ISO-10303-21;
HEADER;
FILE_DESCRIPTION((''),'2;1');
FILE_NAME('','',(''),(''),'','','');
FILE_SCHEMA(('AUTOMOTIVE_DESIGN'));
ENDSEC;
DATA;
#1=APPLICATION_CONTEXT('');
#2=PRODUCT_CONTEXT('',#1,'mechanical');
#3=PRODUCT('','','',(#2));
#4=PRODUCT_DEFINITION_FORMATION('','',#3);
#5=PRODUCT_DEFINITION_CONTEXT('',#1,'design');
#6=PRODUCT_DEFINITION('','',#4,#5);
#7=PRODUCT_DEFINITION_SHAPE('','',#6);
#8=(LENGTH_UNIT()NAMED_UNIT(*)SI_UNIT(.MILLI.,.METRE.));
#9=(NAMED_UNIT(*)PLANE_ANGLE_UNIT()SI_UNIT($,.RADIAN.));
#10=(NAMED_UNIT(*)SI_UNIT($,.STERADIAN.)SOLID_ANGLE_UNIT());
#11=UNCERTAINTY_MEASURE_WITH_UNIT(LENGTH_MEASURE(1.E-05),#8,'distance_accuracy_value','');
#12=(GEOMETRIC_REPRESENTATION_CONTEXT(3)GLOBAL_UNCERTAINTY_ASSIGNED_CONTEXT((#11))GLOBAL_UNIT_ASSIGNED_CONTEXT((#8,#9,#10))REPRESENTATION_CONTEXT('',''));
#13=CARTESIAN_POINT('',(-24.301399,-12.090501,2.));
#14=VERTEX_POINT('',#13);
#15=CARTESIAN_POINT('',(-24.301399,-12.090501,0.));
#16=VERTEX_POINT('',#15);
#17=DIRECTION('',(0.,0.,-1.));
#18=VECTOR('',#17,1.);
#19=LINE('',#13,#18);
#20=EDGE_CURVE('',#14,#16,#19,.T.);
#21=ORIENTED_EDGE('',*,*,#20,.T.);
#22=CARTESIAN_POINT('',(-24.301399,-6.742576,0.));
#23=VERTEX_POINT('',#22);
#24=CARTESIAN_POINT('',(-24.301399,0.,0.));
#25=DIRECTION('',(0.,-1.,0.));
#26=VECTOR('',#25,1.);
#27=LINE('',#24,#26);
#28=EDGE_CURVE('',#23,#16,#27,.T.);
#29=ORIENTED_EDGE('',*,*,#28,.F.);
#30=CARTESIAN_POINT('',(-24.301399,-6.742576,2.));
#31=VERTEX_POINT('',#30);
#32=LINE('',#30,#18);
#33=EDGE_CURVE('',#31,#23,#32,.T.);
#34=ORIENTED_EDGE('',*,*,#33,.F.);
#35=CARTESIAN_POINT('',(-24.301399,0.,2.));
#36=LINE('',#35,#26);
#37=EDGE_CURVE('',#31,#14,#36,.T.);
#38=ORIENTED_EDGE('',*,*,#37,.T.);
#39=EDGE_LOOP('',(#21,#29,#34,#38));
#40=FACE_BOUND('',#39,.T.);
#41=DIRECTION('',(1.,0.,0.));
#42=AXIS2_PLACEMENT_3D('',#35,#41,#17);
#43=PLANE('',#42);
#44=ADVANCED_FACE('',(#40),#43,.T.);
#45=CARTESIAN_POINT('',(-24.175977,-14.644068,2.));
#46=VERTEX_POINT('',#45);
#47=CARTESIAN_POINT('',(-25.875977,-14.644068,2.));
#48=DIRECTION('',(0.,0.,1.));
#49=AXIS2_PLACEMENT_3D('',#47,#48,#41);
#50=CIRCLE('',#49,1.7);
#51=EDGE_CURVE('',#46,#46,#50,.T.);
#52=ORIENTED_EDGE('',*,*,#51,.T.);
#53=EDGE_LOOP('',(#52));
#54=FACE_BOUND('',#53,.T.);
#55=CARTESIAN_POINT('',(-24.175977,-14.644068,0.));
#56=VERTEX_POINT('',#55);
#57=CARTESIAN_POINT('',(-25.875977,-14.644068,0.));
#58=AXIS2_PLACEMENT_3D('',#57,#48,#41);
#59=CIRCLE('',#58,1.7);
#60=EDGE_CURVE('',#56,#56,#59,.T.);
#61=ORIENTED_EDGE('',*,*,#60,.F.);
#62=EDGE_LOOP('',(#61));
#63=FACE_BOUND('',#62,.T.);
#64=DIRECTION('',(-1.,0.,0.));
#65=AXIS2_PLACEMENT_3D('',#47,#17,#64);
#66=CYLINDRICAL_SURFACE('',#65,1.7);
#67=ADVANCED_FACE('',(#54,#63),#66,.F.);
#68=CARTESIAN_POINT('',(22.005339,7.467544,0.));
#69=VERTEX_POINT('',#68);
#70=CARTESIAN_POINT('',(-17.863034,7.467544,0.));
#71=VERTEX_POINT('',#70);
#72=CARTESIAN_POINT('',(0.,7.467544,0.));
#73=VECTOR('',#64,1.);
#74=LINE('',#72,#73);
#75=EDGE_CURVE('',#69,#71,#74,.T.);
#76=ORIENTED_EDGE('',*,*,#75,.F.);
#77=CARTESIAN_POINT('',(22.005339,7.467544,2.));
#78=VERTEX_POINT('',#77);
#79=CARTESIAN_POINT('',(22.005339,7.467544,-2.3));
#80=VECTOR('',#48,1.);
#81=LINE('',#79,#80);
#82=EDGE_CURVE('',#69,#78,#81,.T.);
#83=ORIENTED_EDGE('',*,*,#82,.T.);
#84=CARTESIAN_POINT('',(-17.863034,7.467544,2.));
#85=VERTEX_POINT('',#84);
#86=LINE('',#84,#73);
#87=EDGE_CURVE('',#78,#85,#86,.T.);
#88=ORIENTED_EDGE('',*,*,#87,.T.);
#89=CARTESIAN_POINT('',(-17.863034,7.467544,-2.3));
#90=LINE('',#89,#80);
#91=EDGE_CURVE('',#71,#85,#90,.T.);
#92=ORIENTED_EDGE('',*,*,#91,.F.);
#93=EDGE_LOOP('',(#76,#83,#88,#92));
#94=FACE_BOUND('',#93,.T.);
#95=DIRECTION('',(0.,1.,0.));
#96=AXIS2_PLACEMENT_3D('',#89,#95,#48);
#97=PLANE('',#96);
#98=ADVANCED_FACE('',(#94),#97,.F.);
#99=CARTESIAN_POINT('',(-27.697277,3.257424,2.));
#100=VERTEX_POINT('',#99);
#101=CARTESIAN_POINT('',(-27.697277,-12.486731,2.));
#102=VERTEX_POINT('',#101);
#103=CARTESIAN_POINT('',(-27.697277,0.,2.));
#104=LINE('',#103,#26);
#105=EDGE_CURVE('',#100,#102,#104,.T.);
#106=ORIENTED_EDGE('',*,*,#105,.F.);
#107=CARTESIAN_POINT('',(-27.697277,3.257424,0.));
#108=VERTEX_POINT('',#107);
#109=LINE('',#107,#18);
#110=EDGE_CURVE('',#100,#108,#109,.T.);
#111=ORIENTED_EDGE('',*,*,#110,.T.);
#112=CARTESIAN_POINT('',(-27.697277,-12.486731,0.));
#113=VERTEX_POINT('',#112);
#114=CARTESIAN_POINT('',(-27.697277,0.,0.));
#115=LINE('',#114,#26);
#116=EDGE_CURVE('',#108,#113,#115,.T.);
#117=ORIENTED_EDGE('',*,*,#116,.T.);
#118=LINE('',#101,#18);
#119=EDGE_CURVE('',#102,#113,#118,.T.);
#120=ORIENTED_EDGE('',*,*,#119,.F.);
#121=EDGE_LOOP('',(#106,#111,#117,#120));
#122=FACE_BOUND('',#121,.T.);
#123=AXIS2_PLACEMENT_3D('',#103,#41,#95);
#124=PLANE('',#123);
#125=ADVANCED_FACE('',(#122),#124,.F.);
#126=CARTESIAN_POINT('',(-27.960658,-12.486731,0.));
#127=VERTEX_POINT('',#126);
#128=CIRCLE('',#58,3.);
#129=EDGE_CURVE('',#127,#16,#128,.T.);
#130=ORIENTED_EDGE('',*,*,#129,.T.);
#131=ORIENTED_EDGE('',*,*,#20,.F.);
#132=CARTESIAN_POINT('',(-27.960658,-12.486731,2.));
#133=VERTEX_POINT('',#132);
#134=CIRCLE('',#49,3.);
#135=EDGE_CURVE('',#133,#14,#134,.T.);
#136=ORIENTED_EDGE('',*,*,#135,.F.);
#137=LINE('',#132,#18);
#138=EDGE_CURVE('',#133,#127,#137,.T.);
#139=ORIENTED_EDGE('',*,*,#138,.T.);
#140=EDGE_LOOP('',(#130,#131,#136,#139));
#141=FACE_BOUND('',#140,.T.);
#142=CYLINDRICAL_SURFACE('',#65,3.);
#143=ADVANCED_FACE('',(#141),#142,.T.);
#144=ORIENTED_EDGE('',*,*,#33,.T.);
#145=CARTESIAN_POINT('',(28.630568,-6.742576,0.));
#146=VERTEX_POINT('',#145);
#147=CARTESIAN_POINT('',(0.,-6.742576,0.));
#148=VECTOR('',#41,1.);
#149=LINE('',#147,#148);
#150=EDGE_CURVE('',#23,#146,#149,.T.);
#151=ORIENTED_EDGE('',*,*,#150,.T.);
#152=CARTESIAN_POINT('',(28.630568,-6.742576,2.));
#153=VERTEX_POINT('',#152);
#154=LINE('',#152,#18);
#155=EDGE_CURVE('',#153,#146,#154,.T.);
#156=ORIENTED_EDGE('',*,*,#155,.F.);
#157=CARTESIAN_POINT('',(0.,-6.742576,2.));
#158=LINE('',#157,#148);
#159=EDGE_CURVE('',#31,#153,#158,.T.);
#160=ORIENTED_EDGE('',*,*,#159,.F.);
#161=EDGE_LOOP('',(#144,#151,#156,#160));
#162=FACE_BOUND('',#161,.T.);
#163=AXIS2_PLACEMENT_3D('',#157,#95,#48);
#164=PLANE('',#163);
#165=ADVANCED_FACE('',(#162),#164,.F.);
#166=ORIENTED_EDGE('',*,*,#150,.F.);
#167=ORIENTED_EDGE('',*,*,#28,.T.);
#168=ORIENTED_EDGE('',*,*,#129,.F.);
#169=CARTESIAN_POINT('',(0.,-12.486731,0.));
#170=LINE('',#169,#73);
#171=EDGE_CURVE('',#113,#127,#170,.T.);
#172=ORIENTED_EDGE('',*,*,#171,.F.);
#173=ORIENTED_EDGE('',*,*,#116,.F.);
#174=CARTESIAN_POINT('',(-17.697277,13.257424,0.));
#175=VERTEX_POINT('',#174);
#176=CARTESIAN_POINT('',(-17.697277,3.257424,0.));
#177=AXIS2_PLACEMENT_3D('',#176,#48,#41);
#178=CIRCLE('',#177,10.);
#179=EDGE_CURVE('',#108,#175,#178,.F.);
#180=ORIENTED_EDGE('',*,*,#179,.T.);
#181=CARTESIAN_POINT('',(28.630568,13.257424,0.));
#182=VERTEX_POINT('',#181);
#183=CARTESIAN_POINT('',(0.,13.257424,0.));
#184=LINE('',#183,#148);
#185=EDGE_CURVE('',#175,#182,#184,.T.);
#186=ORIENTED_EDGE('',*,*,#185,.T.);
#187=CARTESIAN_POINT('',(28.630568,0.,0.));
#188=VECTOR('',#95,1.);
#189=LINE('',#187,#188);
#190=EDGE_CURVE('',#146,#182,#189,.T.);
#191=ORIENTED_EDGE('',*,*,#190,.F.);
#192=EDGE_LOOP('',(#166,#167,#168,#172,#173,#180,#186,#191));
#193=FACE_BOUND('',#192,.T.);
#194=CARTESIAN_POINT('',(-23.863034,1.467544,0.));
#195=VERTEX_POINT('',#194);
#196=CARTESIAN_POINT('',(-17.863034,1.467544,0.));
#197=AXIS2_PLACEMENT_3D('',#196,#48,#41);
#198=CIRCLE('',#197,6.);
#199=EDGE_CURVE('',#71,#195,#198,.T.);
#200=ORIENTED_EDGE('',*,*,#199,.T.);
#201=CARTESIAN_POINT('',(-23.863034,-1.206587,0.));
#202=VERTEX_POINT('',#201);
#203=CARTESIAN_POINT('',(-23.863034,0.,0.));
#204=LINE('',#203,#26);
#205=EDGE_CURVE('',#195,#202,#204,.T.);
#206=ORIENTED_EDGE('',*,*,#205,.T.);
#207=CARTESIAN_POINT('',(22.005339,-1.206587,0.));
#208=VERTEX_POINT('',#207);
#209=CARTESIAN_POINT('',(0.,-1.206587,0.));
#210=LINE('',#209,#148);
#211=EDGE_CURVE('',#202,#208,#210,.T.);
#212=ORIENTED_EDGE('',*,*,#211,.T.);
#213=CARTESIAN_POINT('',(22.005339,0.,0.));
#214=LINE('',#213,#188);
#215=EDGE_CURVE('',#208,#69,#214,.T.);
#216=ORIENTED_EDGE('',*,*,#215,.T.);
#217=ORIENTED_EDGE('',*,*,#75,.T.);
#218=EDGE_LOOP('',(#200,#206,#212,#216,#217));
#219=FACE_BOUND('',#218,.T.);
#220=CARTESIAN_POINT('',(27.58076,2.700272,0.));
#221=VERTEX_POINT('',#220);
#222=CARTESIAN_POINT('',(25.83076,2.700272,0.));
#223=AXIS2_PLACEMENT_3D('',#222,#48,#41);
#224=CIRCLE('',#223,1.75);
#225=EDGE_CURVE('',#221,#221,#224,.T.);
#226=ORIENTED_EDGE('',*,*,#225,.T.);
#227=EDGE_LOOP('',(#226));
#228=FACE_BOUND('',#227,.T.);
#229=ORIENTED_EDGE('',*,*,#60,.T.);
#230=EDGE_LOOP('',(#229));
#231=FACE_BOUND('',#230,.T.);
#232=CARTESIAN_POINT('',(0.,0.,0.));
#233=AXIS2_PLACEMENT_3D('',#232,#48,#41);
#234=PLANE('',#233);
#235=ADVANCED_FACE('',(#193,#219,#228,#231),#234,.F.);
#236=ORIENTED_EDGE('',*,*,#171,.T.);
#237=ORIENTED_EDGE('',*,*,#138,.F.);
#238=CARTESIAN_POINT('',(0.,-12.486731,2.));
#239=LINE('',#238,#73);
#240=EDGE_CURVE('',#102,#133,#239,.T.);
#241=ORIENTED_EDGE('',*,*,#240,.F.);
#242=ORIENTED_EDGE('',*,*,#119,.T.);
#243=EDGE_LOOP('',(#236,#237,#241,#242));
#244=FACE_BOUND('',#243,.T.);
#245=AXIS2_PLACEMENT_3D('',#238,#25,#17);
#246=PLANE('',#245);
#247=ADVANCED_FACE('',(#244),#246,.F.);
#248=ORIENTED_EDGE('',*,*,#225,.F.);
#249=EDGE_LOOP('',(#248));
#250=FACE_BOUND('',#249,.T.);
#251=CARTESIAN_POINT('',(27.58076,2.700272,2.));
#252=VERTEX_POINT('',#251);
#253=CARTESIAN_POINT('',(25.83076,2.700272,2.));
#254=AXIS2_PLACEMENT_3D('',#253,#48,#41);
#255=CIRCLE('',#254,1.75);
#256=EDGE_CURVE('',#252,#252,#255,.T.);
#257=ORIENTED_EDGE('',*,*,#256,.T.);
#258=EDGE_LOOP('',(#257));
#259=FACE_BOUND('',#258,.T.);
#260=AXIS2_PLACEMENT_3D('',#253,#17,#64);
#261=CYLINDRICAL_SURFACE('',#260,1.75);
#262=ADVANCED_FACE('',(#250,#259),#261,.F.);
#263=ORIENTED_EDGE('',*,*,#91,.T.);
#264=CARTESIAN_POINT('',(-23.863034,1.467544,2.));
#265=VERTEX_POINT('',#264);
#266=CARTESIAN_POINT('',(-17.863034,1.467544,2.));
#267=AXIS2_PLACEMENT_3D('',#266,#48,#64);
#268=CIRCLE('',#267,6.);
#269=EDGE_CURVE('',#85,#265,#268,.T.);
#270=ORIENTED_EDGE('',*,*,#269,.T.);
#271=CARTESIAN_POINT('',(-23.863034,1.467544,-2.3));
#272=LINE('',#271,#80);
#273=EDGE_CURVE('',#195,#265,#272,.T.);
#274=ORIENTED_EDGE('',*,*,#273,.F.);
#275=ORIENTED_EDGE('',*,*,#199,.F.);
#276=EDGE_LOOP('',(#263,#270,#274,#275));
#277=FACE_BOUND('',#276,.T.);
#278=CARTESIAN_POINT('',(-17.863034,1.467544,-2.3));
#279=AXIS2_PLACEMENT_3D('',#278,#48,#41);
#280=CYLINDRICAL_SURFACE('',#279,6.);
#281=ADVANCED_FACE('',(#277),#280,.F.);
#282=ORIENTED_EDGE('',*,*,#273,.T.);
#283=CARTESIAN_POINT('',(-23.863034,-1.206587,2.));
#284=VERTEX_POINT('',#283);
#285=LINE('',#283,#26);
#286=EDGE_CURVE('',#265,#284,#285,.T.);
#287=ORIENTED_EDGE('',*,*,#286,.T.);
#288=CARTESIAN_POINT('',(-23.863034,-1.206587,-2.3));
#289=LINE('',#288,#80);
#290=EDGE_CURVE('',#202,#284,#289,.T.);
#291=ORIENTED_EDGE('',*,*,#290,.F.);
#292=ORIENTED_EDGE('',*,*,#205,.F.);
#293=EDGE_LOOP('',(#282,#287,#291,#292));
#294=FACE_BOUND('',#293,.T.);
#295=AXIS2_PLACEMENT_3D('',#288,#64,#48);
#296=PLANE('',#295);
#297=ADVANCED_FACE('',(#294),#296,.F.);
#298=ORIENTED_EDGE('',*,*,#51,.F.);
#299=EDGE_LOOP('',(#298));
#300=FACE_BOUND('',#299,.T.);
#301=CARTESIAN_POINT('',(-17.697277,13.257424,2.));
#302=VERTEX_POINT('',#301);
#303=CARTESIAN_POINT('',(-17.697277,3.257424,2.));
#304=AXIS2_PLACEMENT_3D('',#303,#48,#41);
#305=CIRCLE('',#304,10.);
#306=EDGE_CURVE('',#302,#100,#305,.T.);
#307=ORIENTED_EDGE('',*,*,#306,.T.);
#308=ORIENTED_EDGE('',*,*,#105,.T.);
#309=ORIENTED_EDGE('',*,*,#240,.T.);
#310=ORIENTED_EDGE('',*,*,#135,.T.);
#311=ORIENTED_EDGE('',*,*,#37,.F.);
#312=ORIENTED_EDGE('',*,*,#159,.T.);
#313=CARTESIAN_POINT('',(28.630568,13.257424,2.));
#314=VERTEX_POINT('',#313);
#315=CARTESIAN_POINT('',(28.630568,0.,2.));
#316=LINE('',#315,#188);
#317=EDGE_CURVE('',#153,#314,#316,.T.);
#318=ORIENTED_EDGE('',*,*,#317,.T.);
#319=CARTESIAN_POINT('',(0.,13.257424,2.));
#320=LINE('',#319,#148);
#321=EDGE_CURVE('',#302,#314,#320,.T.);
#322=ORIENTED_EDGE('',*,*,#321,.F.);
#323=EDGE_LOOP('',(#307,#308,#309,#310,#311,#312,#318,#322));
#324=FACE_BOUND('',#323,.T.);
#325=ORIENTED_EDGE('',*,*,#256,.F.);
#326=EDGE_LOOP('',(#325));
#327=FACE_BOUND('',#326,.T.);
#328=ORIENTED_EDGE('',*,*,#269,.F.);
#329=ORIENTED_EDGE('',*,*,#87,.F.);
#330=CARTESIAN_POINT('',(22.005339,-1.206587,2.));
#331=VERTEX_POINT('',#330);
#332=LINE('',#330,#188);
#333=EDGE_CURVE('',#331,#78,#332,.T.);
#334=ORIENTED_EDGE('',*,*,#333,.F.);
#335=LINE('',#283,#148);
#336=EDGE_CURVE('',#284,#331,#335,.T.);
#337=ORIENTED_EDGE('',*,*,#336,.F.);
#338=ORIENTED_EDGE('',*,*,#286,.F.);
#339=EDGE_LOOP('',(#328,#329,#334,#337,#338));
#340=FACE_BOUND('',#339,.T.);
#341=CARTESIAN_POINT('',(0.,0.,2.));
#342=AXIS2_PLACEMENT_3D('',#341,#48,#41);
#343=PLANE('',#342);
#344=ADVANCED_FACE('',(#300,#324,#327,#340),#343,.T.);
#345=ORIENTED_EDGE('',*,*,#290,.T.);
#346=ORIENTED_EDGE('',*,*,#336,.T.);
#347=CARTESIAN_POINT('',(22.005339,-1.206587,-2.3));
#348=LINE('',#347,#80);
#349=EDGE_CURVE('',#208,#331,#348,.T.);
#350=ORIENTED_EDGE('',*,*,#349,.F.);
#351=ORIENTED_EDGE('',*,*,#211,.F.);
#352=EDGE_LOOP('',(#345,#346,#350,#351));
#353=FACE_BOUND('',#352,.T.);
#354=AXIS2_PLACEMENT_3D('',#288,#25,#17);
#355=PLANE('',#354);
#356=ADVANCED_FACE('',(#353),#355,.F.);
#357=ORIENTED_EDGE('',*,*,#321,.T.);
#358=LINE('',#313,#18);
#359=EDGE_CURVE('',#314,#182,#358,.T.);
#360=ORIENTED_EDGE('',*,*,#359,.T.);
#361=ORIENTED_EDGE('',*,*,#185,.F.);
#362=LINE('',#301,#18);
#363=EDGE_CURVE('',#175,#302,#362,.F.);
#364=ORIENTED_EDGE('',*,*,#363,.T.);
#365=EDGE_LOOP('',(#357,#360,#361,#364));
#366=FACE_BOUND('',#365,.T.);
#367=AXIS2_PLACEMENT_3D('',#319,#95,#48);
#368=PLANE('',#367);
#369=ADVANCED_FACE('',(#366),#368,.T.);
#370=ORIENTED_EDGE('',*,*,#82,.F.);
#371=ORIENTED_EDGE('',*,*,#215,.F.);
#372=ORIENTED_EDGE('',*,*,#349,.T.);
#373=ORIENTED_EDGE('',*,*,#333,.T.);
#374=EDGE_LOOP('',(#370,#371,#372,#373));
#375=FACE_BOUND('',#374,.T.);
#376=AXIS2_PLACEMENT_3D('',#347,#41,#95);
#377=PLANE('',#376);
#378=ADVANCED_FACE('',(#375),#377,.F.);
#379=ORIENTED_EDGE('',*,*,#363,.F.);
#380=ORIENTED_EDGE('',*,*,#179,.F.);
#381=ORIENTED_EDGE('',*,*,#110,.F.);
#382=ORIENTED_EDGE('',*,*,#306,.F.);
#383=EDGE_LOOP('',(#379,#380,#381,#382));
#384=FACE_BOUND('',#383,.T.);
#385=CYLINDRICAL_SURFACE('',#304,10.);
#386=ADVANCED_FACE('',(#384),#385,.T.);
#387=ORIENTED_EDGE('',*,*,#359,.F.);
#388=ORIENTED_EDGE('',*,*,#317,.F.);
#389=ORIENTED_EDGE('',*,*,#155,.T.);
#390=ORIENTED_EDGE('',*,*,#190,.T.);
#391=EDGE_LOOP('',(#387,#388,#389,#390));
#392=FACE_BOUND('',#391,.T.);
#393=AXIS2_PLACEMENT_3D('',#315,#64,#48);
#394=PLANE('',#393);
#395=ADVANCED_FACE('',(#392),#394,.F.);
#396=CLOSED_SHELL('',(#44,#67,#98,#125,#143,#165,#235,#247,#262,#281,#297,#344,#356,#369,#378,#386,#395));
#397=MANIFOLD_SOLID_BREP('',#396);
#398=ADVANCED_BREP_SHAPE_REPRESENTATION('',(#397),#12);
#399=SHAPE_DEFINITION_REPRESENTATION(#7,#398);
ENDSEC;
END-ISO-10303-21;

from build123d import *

# Parameters (mm, degrees)
SKETCH1_R           = 1.7
SKETCH1_R_2         = 1.75
BOSS_EXTRUDE2_DEPTH = 2
FILLET1_R           = 10
CUT_EXTRUDE1_DEPTH  = 4.3


with BuildPart() as part:
    # Sketch1 → Boss-Extrude2 (new body)
    with BuildSketch(Plane.XY):
        with BuildLine():
            Line((-24.301399152, -6.742575532), (21.488241451, -6.742575532))
            Line((21.488241451, -6.742575532), (28.630568437, -6.742575532))
            Line((28.630568437, -6.742575532), (28.630568437, 13.257424468))
            Line((28.630568437, 13.257424468), (21.488241451, 13.257424468))
            Line((21.488241451, 13.257424468), (-17.840083641, 13.257424468))
            Line((-17.840083641, 13.257424468), (-21.005321996, 13.257424468))
            Line((-21.005321996, 13.257424468), (-27.697276817, 13.257424468))
            Line((-27.697276817, 13.257424468), (-27.697276817, -12.486730567))
            Line((-27.697276817, -12.486730567), (-27.960658237, -12.486730567))
            ThreePointArc((-27.960658237, -12.486730567), (-25.553021513, -17.62663418), (-24.301399152, -12.090501486))
            Line((-24.301399152, -12.090501486), (-24.301399152, -8.994116068))
            Line((-24.301399152, -8.994116068), (-24.301399152, -6.742575532))
        make_face()
        with Locations((-25.875977425, -14.644068258)):
            Circle(SKETCH1_R, mode=Mode.SUBTRACT)
        with Locations((25.830760295, 2.700271972)):
            Circle(SKETCH1_R_2, mode=Mode.SUBTRACT)
    extrude(amount=BOSS_EXTRUDE2_DEPTH)

    # Fillet1
    fillet1_edges = [part.edges().sort_by_distance(p)[0] for p in [
        (-27.697276817, 13.257424468, 1),
    ]]
    fillet(fillet1_edges, radius=FILLET1_R)

    # Sketch2 → Cut-Extrude1 (cut)
    with BuildSketch(Plane.XY.offset(2)):
        with BuildLine():
            Line((-23.863033574, -1.206587224), (22.005338697, -1.206587224))
            Line((22.005338697, -1.206587224), (22.005338697, 7.467544216))
            Line((22.005338697, 7.467544216), (-17.863033574, 7.467544216))
            ThreePointArc((-17.863033574, 7.467544216), (-22.105674261, 5.710184903), (-23.863033574, 1.467544216))
            Line((-23.863033574, 1.467544216), (-23.863033574, -1.206587224))
        make_face()
    extrude(amount=-CUT_EXTRUDE1_DEPTH, mode=Mode.SUBTRACT)


solid = part.part
